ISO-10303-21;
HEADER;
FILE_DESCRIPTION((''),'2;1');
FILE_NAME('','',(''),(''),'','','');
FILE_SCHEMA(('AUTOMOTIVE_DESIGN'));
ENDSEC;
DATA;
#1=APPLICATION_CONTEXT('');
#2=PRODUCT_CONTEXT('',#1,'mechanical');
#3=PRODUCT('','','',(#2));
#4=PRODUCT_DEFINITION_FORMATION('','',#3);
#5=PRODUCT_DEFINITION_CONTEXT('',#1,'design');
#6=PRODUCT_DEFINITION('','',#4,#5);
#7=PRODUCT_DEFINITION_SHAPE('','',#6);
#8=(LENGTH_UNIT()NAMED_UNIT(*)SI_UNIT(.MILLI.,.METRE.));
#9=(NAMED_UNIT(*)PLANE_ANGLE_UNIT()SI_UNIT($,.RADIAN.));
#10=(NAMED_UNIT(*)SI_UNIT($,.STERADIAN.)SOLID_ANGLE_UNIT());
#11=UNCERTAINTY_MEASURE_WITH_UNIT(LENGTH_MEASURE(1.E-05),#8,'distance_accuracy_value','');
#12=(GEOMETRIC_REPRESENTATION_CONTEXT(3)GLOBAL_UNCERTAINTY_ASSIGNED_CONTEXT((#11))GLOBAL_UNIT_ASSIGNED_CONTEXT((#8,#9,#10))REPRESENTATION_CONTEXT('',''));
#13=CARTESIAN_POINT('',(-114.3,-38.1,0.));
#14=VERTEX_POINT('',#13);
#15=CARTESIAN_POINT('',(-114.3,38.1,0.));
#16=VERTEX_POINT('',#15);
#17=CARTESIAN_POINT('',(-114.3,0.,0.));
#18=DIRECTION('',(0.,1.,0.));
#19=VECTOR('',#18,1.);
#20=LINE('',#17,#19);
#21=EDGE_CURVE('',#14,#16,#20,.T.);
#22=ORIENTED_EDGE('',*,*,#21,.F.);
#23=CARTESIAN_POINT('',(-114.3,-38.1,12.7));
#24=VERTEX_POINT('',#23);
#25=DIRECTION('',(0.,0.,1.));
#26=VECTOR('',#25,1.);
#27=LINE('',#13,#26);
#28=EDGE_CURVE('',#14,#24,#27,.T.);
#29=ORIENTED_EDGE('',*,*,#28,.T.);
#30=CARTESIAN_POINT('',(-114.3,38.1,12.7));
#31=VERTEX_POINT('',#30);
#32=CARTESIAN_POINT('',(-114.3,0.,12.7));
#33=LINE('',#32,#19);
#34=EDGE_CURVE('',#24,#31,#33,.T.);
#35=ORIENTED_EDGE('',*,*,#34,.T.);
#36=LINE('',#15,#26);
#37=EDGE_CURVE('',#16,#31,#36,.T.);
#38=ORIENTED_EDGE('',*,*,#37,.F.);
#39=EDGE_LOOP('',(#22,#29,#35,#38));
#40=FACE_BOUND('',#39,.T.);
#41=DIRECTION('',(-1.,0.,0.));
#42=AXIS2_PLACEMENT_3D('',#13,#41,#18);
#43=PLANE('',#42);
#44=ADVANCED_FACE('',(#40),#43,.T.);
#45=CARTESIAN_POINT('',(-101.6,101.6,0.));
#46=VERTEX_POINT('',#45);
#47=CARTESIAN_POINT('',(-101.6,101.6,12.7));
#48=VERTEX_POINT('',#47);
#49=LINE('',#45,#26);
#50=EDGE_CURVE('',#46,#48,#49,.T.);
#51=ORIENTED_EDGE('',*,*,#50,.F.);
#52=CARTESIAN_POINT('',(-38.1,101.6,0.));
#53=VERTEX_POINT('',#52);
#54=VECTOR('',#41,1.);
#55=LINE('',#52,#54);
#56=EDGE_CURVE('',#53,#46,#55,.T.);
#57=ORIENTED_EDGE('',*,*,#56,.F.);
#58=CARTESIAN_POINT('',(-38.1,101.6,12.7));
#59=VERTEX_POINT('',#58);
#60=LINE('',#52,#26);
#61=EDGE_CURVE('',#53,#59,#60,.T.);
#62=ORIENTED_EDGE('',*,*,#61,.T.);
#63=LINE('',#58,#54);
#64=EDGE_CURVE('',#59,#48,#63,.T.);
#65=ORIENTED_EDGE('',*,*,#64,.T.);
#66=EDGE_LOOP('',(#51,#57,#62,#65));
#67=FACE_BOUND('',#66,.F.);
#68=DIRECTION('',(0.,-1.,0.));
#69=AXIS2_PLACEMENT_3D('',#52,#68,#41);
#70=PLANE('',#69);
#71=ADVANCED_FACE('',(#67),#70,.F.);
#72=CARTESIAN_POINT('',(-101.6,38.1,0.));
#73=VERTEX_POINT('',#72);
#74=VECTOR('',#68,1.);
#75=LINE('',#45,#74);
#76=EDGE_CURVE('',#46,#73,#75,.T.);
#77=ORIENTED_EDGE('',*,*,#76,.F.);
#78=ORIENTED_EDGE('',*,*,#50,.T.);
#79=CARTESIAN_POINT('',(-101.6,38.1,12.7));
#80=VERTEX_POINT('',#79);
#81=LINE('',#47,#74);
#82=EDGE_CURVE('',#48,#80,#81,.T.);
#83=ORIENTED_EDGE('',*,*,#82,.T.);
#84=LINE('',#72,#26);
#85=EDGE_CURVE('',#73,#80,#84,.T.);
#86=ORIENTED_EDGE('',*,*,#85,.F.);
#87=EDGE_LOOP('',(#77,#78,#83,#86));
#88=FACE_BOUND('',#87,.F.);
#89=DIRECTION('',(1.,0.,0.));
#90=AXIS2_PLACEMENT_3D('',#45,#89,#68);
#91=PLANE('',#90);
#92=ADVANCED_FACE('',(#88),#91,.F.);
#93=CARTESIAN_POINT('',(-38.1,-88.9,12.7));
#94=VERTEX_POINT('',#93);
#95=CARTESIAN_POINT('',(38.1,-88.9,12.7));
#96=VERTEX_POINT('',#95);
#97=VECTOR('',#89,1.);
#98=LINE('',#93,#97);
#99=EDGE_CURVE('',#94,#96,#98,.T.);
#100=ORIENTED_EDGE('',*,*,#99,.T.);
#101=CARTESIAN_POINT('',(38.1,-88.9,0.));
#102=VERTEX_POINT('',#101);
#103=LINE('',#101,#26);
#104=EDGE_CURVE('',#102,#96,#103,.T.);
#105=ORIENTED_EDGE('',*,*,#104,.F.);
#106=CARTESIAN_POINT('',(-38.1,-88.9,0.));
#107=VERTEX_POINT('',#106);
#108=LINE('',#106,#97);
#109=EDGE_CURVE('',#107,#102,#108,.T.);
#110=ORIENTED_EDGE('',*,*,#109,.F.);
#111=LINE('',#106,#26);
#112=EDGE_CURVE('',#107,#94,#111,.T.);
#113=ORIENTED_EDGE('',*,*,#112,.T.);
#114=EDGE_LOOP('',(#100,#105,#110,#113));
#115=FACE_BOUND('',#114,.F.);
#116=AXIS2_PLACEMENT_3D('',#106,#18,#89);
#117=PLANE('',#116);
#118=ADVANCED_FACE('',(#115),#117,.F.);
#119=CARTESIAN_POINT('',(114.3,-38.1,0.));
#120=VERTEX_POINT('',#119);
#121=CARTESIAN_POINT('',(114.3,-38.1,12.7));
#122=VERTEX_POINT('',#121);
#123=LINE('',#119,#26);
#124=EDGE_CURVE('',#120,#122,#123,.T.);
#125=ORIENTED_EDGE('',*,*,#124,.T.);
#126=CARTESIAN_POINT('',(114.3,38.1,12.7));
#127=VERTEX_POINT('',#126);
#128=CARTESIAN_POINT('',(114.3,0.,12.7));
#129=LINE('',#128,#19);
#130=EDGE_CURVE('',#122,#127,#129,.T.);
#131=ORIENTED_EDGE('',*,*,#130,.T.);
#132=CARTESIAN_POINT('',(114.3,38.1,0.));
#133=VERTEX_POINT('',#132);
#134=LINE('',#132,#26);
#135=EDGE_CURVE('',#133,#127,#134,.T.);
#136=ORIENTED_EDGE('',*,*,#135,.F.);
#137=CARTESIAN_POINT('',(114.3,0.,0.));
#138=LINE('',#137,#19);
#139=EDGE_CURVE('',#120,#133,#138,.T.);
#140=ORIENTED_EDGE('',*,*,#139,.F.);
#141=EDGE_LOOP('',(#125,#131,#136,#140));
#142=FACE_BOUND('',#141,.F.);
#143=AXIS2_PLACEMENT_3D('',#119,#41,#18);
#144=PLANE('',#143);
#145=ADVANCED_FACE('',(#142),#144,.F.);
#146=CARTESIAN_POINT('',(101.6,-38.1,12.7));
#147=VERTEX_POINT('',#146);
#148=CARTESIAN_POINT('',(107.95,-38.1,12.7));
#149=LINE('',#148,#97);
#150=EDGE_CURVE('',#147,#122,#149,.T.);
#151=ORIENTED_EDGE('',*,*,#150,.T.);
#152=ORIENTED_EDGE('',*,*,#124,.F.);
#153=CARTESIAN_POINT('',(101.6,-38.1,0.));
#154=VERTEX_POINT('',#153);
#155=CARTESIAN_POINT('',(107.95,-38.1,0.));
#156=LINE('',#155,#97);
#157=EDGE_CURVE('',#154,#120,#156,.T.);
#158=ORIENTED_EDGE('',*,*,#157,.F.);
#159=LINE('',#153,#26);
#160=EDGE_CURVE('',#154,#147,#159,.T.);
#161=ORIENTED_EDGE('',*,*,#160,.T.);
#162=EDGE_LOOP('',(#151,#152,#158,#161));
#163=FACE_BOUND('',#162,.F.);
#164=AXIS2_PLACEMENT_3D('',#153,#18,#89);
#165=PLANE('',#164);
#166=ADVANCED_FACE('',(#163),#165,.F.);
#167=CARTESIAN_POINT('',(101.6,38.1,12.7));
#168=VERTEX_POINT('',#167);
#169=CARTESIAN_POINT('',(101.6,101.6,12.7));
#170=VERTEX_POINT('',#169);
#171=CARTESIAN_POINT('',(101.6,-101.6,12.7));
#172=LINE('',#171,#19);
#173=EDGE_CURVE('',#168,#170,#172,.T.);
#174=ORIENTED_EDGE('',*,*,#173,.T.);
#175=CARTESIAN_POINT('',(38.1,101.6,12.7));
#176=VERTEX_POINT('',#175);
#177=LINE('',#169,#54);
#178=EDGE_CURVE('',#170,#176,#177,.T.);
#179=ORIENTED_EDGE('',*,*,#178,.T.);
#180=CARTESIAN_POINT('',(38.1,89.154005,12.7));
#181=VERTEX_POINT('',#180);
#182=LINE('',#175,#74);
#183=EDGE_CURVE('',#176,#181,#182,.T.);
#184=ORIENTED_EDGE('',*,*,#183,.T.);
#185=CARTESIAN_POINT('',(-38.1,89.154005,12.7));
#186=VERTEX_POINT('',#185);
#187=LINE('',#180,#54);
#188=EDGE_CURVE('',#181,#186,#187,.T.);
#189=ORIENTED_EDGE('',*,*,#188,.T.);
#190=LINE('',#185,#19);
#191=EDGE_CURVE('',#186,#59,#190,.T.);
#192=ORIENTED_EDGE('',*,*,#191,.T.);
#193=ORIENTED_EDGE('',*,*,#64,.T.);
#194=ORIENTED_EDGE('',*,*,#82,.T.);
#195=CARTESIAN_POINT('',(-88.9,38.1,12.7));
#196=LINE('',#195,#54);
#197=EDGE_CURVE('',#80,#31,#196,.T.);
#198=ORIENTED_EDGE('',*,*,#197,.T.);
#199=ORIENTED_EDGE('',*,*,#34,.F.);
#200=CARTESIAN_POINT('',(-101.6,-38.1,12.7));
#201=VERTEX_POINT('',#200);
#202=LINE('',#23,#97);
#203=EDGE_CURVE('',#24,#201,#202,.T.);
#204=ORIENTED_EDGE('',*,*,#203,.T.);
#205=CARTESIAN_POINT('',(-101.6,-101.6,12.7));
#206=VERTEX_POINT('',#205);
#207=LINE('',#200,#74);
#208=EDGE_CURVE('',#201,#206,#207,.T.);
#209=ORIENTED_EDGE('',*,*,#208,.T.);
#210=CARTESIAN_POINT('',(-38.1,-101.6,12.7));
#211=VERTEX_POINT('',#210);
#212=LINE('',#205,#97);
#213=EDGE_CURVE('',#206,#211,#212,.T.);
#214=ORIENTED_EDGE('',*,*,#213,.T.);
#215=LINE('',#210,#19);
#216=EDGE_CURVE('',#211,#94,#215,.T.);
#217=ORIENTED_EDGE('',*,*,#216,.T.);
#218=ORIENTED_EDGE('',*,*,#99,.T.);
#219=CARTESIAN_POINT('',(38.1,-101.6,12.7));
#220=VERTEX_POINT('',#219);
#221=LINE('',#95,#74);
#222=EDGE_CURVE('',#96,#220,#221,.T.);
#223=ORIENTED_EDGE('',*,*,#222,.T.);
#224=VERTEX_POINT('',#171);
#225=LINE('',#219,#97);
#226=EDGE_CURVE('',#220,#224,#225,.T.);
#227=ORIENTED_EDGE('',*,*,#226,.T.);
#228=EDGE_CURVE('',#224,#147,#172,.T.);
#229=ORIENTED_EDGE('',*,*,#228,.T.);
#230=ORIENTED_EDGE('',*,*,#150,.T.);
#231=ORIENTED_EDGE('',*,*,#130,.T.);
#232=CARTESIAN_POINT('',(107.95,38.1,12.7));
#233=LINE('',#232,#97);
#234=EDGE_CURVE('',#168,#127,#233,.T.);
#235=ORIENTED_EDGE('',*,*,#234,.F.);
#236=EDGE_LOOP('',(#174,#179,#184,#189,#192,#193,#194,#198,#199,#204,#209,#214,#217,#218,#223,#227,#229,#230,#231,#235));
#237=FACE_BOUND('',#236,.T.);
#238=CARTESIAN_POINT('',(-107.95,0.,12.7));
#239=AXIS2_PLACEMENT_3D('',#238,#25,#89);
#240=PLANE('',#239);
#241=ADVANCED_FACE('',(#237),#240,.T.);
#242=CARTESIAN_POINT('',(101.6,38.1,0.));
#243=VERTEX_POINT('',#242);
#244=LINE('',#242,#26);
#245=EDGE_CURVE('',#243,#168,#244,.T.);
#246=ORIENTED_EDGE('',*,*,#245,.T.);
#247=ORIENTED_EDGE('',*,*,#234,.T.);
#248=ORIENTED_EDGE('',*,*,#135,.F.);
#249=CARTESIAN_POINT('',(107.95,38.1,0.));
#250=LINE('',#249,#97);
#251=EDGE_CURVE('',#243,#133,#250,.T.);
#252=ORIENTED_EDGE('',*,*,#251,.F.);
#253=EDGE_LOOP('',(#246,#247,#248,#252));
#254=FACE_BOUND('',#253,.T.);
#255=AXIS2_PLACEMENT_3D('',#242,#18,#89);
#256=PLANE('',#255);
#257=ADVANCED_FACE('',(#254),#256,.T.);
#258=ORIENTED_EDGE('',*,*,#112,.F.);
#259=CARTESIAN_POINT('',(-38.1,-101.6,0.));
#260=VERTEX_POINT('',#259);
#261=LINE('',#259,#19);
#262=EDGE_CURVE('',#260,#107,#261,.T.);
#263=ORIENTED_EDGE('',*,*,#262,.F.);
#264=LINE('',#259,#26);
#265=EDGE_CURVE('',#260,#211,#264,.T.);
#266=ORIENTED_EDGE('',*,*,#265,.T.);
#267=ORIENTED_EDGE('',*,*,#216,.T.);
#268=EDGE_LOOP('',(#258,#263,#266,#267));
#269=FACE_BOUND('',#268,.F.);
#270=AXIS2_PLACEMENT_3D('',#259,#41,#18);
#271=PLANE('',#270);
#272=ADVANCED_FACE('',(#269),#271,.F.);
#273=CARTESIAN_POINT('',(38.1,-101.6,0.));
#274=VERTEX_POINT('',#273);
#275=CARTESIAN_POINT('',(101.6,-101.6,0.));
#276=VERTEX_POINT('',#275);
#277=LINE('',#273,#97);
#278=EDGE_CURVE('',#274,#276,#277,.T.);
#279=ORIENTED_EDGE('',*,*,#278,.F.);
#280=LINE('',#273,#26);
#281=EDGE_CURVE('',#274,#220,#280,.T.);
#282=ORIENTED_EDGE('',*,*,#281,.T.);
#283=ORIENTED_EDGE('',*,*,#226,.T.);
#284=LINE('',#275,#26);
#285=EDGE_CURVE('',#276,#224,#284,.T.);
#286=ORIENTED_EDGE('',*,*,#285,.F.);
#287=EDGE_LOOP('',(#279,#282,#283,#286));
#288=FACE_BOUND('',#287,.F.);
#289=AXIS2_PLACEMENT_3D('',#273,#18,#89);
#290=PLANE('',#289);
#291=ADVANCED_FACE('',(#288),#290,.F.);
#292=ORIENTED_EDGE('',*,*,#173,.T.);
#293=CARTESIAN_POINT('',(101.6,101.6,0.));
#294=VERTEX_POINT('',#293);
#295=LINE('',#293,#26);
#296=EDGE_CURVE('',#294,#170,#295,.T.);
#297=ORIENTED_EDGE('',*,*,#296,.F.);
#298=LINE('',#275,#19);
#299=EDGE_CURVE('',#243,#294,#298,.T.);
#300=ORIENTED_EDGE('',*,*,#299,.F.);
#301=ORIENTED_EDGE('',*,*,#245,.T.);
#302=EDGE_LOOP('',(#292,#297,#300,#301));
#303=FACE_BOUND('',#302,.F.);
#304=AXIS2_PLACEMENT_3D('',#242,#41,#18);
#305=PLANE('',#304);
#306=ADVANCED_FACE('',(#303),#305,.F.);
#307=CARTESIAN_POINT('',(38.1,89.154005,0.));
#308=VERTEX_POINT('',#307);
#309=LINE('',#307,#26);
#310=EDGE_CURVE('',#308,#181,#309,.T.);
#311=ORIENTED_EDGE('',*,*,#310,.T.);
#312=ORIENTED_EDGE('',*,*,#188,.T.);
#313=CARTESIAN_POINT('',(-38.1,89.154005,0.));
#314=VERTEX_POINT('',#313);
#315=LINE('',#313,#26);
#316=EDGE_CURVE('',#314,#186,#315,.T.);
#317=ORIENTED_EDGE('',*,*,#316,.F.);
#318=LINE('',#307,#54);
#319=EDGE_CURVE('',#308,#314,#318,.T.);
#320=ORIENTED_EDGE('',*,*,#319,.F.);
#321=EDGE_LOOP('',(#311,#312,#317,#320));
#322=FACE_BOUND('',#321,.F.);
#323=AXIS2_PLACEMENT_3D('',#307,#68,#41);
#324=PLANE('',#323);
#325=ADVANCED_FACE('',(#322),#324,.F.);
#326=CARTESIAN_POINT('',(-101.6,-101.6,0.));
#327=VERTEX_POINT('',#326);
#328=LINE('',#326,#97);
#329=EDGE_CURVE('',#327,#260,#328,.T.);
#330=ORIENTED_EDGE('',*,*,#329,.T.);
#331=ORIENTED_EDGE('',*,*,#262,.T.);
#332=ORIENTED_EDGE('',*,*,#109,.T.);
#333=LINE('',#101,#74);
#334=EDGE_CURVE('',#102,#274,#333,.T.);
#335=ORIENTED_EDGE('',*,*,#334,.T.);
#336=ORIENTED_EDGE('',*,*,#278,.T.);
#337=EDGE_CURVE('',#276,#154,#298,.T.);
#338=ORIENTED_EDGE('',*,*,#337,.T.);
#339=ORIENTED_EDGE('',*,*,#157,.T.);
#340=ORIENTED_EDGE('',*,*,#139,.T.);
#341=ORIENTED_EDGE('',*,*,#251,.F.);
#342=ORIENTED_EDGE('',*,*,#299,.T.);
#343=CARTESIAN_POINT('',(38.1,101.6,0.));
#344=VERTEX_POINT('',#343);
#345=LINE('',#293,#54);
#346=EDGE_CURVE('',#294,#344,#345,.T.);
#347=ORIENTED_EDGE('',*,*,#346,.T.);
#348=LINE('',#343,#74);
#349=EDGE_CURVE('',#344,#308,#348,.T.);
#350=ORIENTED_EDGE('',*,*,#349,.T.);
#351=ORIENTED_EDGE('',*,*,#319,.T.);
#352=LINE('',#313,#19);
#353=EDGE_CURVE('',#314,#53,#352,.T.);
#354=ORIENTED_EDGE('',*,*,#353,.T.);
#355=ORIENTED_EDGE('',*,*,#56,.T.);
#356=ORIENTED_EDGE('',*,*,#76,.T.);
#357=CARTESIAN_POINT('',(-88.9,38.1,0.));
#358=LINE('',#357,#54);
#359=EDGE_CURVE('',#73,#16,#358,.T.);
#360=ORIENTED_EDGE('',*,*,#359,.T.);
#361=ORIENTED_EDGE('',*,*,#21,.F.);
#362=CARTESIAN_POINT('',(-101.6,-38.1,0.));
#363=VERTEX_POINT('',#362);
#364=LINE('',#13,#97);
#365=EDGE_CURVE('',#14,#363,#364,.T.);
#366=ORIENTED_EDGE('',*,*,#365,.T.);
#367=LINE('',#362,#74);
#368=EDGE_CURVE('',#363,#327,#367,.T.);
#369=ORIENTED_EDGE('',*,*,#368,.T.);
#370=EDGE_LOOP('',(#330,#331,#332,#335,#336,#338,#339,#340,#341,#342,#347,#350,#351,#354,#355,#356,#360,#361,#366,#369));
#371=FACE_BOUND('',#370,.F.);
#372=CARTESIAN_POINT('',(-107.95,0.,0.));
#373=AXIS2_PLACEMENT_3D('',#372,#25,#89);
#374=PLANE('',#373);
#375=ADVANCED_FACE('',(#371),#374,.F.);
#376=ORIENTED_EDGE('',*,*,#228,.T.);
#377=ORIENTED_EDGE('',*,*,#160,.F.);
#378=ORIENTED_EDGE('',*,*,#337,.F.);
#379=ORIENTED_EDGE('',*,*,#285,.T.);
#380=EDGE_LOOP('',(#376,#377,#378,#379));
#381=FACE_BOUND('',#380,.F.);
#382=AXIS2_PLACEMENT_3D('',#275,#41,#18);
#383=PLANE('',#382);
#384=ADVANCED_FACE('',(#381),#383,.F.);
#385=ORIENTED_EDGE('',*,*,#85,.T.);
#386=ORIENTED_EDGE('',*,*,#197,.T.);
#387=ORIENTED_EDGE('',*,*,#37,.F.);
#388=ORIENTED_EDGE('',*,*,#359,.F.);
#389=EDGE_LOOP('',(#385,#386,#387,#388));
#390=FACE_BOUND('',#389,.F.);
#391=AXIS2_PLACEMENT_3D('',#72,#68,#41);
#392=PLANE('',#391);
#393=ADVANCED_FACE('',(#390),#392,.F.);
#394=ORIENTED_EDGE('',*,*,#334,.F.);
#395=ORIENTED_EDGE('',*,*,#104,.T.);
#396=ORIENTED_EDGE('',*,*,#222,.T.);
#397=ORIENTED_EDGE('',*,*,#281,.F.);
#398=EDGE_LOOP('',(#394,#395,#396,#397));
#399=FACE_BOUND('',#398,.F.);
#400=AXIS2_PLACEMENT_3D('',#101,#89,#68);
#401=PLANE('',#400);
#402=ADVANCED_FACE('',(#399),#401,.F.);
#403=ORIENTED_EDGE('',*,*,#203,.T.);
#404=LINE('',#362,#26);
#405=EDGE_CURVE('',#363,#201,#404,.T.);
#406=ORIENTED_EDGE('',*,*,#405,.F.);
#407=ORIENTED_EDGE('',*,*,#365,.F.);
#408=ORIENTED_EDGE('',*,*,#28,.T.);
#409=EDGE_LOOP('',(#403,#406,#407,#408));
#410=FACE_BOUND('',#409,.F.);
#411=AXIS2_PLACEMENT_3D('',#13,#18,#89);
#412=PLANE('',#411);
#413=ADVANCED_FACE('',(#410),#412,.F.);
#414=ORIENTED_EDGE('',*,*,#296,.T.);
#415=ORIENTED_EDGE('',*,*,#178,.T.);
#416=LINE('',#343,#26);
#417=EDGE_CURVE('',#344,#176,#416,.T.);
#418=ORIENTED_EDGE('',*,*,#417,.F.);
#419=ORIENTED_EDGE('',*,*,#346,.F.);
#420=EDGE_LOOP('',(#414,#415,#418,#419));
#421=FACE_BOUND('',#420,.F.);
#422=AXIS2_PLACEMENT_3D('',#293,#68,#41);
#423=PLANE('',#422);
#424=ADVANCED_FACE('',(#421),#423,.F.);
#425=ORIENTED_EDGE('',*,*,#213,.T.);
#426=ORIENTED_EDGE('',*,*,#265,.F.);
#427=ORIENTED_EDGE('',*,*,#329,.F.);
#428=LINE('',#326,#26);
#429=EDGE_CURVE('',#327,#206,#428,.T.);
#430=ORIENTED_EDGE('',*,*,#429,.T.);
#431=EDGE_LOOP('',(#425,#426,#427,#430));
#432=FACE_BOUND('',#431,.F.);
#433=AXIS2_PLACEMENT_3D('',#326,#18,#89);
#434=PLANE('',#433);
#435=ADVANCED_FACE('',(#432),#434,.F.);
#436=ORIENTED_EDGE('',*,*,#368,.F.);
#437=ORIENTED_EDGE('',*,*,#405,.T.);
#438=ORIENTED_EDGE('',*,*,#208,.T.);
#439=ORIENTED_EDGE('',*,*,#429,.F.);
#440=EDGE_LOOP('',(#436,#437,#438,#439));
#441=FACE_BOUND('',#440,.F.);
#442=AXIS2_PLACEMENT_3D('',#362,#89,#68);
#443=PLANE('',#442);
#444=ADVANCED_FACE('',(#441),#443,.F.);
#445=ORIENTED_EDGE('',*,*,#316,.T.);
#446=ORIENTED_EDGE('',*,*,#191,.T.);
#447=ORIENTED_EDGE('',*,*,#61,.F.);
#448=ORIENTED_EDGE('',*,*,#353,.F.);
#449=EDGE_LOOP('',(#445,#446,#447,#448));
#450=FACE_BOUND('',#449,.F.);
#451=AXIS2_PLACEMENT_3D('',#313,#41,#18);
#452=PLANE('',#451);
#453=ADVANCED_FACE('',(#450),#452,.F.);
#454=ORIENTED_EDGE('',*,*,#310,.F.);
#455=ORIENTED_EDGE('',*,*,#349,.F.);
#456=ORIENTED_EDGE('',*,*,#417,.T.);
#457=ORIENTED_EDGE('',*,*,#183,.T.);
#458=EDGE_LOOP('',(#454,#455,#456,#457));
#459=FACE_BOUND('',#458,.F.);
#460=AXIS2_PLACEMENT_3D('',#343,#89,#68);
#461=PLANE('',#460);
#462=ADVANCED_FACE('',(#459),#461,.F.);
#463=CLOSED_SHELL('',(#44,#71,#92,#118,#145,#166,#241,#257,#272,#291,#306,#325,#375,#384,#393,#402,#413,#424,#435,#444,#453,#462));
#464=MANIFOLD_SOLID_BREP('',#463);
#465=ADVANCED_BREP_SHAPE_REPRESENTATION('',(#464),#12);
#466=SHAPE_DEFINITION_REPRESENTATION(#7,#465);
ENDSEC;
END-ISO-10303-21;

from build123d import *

# Parameters (mm, degrees)
F0_W     = 12.7
F0_H     = 76.2
F1_DEPTH = 12.7


with BuildPart() as f1:
    # F0 (on Top) → F1 (new body)
    with BuildSketch(Plane.XY):
        with Locations((-107.95, 0)):
            Rectangle(F0_W, F0_H)
        with Locations((-95.25, 0)):
            Rectangle(F0_W, F0_H)
        Polygon((-38.1, 101.6), (-101.6, 101.6), (-101.6, 38.1), (-88.9, 38.1), (-88.9, -38.1), (-101.6, -38.1), (-101.6, -101.6), (-38.1, -101.6), (-38.1, -88.9), (38.1, -88.9), (38.1, -101.6), (101.6, -101.6), (101.6, -38.1), (88.9, -38.1), (88.9, 38.1), (101.6, 38.1), (101.6, 101.6), (38.1, 101.6), (38.1, 89.154005), (-38.1, 89.154005), align=None)
        with Locations((95.25, 0)):
            Rectangle(F0_W, F0_H)
        with Locations((107.95, 0)):
            Rectangle(F0_W, F0_H)
    extrude(amount=F1_DEPTH)


solid = f1.part
